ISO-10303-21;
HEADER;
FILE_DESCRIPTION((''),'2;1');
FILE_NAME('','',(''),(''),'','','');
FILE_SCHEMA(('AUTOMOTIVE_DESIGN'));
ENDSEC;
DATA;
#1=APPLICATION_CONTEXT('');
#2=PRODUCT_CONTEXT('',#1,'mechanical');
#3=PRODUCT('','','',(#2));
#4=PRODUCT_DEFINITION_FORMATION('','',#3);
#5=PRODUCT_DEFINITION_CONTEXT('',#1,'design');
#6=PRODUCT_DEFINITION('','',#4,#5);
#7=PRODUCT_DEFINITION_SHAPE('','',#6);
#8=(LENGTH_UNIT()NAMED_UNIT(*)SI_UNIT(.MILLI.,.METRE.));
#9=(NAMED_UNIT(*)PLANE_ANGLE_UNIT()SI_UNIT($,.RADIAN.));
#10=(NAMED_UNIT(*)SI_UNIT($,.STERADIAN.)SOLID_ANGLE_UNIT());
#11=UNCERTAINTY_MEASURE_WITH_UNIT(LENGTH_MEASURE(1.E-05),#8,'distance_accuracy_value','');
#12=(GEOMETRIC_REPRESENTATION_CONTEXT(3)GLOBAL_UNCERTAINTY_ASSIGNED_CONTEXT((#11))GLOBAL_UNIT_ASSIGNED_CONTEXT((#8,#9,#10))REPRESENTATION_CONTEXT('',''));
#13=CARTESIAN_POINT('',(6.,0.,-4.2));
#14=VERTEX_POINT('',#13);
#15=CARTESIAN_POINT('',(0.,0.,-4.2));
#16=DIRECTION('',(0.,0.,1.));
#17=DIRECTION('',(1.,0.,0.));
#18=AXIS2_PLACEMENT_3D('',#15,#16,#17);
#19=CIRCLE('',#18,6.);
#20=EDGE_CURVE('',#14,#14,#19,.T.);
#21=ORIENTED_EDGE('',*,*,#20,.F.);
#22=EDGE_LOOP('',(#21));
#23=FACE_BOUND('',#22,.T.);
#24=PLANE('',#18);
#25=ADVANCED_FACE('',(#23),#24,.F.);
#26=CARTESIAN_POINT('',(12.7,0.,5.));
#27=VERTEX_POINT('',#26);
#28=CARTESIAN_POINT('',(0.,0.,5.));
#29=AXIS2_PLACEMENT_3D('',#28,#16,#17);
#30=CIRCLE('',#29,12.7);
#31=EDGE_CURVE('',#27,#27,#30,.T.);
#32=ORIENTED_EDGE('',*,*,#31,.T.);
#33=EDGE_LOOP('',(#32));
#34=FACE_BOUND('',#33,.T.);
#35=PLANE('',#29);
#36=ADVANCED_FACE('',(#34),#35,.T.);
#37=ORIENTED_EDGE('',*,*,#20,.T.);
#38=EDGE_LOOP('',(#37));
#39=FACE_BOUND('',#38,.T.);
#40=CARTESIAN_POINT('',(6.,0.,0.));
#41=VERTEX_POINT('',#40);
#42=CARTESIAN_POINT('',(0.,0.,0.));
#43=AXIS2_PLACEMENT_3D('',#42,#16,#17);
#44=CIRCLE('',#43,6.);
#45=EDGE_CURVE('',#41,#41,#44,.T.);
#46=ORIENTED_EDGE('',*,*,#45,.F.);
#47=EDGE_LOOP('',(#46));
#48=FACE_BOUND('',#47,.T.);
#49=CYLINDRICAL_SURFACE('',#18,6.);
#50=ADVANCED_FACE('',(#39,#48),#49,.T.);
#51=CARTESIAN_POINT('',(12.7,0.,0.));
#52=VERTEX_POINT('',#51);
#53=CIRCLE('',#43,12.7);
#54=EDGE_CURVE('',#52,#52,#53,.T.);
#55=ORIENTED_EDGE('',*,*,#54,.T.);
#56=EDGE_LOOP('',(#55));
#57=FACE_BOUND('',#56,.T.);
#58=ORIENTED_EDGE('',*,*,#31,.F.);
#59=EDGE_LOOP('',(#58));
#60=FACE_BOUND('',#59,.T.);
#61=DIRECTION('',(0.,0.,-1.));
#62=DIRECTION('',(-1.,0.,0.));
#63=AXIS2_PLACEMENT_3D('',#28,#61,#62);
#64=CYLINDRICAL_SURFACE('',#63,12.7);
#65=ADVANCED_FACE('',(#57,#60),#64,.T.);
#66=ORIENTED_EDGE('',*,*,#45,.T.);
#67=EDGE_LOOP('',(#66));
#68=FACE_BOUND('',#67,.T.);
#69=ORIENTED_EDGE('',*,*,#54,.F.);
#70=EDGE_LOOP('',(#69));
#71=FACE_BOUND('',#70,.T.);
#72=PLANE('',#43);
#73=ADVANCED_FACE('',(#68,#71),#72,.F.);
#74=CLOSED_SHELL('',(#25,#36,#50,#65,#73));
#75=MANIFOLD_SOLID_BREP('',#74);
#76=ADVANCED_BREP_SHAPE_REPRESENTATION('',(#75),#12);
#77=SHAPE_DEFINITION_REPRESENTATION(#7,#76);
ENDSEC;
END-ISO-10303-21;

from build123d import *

# Parameters (mm, degrees)
SKIZZE1_R                       = 12.7
AUFSATZ_LINEAR_AUSTRAGEN1_DEPTH = 5
SKIZZE2_R                       = 6
AUFSATZ_LINEAR_AUSTRAGEN3_DEPTH = 4.2


with BuildPart() as part:
    # Skizze1 → Aufsatz-Linear austragen1 (new body)
    with BuildSketch(Plane(origin=(0, 0, 0), x_dir=(0, 1, 0), z_dir=(0, 0, 1))):
        with Locations(Location((0, 0, 0), (0, 0, 270))):
            Circle(SKIZZE1_R)
    extrude(amount=AUFSATZ_LINEAR_AUSTRAGEN1_DEPTH)

    # Skizze2 → Aufsatz-Linear austragen3 (add)
    with BuildSketch(Plane(origin=(0, 0, 0), x_dir=(0, 1, 0), z_dir=(0, 0, 1))):
        with Locations(Location((0, 0, 0), (0, 0, 270))):
            Circle(SKIZZE2_R)
    extrude(amount=-AUFSATZ_LINEAR_AUSTRAGEN3_DEPTH)


solid = part.part
